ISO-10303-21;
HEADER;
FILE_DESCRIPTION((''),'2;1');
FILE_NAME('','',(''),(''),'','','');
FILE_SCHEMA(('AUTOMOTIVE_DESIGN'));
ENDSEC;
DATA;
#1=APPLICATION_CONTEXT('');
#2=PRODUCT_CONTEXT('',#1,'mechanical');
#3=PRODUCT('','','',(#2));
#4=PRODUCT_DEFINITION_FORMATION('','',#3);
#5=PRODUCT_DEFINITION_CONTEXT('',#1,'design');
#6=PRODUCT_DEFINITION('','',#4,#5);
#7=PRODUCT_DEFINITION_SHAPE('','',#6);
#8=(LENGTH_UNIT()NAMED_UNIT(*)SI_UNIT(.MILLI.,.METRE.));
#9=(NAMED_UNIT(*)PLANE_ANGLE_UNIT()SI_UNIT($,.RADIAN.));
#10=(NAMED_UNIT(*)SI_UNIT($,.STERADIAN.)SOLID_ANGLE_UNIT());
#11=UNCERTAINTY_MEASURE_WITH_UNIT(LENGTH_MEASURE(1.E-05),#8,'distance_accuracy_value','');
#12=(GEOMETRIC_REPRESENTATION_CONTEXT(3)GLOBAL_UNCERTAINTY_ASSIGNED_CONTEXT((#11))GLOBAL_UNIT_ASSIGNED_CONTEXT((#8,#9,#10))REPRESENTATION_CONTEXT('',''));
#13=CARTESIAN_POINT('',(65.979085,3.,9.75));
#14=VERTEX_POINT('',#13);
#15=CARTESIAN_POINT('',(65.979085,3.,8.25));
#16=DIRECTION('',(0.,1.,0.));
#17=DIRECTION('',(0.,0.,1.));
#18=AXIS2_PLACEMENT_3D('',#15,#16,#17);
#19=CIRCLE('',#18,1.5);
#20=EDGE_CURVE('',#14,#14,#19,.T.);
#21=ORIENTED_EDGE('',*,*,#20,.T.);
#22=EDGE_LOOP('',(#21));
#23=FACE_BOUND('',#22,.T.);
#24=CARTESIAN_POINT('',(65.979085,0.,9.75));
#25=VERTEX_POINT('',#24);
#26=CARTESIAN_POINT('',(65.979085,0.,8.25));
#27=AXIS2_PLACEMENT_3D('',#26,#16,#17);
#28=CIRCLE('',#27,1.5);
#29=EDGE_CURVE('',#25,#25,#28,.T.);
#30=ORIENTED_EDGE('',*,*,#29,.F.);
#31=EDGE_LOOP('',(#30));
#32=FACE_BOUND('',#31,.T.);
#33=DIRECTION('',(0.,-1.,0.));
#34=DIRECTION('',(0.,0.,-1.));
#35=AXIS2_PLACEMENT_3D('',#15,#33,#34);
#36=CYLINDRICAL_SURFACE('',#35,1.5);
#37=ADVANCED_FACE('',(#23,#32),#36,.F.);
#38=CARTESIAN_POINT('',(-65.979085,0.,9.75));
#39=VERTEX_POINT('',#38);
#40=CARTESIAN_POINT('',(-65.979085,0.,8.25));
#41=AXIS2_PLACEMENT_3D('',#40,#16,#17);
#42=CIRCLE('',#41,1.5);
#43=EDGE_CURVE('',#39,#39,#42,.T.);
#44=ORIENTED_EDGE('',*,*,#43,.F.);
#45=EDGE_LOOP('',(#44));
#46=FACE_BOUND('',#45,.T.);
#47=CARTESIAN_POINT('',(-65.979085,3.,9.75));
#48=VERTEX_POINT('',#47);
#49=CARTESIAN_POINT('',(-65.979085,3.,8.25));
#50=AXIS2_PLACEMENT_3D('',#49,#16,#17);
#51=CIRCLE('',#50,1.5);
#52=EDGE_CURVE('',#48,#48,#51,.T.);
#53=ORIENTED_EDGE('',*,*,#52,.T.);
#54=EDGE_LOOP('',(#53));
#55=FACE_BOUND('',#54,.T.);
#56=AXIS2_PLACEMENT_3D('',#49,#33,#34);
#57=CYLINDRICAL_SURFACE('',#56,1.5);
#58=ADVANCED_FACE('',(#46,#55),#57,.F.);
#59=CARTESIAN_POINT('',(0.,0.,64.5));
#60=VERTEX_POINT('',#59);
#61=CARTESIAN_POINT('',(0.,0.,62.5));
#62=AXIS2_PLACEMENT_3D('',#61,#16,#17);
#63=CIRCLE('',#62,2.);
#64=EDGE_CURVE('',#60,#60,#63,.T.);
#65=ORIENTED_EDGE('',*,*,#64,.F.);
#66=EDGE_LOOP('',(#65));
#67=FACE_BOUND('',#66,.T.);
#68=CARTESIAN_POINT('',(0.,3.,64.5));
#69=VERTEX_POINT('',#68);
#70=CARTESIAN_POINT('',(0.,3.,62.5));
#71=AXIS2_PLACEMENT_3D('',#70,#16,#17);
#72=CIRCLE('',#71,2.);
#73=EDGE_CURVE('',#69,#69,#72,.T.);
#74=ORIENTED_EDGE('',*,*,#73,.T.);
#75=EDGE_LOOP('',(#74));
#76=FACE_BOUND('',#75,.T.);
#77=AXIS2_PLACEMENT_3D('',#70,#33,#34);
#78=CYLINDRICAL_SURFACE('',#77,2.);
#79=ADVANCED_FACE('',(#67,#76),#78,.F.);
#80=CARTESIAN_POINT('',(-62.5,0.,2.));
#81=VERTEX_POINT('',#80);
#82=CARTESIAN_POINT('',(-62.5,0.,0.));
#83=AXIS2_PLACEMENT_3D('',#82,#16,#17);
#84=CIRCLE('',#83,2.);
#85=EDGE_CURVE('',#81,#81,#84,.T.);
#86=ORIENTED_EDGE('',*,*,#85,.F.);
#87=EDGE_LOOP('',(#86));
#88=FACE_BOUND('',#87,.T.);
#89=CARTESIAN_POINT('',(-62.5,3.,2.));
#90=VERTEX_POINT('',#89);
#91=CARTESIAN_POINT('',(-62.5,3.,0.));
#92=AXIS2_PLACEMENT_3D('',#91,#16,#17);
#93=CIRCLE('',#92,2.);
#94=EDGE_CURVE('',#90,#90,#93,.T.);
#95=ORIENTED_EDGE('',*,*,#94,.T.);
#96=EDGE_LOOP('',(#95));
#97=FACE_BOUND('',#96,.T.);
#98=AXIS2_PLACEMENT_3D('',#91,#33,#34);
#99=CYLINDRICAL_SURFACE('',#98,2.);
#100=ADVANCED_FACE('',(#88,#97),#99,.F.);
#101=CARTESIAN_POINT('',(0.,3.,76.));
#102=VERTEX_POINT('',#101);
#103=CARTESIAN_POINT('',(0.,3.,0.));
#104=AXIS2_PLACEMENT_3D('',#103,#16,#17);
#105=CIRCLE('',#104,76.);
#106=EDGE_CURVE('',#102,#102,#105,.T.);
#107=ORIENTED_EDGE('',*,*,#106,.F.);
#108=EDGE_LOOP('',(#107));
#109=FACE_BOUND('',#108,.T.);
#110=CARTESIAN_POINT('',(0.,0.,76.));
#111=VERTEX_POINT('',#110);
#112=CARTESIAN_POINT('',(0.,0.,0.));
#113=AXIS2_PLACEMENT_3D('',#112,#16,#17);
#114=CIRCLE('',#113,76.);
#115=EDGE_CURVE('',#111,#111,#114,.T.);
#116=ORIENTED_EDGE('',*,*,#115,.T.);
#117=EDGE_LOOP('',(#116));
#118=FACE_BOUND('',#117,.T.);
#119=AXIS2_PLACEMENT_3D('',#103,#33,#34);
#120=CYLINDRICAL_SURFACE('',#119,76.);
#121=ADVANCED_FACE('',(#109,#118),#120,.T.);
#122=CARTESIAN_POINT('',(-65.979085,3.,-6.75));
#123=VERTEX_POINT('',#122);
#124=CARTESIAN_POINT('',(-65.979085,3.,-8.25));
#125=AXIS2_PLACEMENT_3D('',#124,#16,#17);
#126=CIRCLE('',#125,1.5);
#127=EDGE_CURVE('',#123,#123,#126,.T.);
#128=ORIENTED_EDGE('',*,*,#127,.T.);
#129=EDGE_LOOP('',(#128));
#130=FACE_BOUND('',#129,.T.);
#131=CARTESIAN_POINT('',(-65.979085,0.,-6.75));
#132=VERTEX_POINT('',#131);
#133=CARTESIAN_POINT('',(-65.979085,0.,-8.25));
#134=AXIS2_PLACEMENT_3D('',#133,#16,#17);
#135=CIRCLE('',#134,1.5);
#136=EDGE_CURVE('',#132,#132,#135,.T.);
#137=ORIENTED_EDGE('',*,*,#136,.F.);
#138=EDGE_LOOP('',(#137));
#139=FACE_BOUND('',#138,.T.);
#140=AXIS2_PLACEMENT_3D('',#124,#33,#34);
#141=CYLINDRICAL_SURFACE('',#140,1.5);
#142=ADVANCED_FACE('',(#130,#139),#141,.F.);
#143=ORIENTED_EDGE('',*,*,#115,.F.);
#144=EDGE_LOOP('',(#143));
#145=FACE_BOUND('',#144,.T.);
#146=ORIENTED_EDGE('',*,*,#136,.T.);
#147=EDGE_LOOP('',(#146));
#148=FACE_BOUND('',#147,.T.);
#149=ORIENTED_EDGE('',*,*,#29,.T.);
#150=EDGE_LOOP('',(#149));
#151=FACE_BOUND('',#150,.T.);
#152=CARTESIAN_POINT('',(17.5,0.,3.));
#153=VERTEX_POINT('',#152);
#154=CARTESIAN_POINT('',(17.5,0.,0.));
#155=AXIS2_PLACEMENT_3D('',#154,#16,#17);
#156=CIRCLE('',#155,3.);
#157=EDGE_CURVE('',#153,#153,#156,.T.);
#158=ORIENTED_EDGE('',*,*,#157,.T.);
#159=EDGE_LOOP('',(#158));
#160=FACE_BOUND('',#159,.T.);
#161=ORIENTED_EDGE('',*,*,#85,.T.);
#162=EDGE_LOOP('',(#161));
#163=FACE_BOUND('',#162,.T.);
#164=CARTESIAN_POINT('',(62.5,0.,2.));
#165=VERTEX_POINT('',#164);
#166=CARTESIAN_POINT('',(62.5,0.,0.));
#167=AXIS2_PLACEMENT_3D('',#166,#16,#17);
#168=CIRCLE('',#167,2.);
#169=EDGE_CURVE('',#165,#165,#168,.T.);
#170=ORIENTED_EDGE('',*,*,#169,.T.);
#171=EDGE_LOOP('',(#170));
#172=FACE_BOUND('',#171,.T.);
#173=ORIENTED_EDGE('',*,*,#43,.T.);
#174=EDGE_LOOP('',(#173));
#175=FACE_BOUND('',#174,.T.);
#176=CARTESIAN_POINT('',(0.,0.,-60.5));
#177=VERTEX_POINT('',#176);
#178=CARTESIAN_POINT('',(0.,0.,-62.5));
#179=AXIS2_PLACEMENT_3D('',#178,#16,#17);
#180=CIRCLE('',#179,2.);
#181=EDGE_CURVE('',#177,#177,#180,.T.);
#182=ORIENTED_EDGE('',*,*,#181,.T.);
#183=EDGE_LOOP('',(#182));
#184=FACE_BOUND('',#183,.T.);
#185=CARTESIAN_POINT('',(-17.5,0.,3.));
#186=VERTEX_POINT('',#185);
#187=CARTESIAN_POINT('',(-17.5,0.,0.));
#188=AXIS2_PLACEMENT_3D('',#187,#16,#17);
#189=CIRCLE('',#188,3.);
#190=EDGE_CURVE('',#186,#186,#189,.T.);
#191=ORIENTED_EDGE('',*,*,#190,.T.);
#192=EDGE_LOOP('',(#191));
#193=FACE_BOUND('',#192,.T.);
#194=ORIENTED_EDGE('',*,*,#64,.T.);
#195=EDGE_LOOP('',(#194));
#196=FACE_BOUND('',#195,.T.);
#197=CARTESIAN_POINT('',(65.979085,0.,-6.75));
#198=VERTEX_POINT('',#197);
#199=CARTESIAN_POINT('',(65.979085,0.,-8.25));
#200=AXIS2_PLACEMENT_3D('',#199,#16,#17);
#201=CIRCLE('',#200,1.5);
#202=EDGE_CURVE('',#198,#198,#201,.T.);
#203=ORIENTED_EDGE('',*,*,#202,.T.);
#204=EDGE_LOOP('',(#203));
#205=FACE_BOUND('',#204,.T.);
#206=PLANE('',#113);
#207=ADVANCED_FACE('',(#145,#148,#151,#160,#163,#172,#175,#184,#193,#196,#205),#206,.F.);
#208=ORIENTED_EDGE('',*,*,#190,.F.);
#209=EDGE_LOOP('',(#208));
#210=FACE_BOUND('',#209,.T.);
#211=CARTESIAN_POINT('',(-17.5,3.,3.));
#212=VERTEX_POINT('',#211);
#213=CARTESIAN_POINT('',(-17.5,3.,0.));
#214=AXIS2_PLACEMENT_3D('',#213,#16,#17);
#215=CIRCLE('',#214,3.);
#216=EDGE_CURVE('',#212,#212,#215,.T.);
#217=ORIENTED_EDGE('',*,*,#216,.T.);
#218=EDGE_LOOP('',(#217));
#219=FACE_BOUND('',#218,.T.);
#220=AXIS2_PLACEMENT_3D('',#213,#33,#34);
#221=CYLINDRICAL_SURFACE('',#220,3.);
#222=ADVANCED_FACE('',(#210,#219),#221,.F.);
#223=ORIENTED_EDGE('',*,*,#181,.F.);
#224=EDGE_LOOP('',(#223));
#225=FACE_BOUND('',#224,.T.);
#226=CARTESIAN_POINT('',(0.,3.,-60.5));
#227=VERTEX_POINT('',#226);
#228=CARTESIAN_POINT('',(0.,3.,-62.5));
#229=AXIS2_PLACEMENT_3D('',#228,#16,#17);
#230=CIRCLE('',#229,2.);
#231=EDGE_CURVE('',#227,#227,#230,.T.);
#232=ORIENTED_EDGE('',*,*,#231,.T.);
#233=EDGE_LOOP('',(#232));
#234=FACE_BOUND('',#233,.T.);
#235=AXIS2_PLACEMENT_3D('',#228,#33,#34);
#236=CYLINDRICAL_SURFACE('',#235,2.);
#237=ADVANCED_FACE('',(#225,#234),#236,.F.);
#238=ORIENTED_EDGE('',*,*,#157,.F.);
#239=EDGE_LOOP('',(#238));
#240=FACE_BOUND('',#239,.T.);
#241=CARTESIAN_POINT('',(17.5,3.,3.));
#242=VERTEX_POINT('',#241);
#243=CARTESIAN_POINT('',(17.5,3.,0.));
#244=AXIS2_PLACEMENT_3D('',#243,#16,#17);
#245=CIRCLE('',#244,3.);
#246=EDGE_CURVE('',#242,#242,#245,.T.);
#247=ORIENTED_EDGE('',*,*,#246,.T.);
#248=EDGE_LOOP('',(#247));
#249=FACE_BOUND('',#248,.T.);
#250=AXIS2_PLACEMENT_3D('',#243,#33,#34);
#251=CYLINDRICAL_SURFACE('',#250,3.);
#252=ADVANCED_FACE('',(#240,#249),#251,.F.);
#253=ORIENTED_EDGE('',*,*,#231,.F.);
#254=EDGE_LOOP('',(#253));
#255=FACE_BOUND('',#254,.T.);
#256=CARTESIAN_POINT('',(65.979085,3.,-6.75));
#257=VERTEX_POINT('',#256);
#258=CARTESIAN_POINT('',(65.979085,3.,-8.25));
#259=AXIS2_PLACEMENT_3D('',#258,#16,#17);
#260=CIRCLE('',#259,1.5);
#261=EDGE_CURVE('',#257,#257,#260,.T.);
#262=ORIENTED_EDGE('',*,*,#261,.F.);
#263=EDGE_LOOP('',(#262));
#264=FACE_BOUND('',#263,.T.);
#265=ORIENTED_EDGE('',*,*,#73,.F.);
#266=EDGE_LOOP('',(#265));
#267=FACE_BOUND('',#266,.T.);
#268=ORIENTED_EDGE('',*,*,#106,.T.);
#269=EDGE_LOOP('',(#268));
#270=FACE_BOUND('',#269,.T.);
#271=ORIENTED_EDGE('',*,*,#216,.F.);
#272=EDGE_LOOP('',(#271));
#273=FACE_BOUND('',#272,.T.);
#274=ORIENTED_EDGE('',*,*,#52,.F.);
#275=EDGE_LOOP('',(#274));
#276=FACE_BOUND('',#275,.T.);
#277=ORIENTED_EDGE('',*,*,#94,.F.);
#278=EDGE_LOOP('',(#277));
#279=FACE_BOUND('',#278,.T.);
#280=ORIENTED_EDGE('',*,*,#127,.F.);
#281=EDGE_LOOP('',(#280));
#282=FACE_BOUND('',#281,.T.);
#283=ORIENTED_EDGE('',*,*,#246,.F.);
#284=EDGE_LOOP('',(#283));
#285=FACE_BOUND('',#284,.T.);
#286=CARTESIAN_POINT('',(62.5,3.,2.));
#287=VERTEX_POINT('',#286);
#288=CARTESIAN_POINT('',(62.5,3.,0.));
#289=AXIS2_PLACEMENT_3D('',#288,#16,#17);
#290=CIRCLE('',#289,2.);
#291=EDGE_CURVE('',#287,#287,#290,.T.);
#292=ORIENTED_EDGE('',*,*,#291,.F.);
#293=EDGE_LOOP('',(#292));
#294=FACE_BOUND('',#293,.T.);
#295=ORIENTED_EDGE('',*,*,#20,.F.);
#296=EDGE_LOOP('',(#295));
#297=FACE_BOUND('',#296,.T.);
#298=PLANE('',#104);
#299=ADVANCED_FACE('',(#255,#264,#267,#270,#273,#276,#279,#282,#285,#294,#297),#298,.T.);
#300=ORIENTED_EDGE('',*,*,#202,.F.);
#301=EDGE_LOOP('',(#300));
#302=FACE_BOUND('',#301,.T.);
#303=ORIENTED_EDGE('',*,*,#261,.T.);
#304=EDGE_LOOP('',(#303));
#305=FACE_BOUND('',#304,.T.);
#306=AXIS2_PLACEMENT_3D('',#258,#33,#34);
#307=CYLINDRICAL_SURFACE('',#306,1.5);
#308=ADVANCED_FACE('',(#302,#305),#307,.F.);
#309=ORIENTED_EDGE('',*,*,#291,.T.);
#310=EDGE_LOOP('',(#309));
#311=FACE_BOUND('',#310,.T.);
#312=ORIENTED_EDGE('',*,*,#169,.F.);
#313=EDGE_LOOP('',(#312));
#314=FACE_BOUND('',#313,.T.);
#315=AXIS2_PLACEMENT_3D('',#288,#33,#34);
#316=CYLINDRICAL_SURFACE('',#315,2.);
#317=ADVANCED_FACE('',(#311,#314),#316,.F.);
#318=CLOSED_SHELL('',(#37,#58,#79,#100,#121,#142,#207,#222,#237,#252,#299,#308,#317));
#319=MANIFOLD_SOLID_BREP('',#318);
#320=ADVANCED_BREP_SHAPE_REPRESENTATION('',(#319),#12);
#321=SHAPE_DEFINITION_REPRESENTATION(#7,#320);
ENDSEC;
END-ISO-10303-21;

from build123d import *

# Parameters (mm, degrees)
SKETCH1_R           = 76
SKETCH1_R_2         = 1.5
SKETCH1_R_3         = 2
SKETCH1_R_4         = 3
BOSS_EXTRUDE1_DEPTH = 3


with BuildPart() as part:
    # Sketch1 → Boss-Extrude1 (new body)
    with BuildSketch(Plane(origin=(0, 0, 0), x_dir=(1, 0, 0), z_dir=(0, 1, 0))):
        with Locations(Location((0, 0, 0), (0, 0, 270))):
            Circle(SKETCH1_R)
        with Locations(Location((-65.979085433, -8.25, 0), (0, 0, 270))):
            Circle(SKETCH1_R_2, mode=Mode.SUBTRACT)
        with Locations(Location((-62.5, 0, 0), (0, 0, 270))):
            Circle(SKETCH1_R_3, mode=Mode.SUBTRACT)
        with Locations(Location((-65.979085433, 8.25, 0), (0, 0, 270))):
            Circle(SKETCH1_R_2, mode=Mode.SUBTRACT)
        with Locations(Location((65.979085433, 8.25, 0), (0, 0, 270))):
            Circle(SKETCH1_R_2, mode=Mode.SUBTRACT)
        with Locations(Location((65.979085433, -8.25, 0), (0, 0, 270))):
            Circle(SKETCH1_R_2, mode=Mode.SUBTRACT)
        with Locations(Location((0, 62.5, 0), (0, 0, 270))):
            Circle(SKETCH1_R_3, mode=Mode.SUBTRACT)
        with Locations(Location((62.5, 0, 0), (0, 0, 270))):
            Circle(SKETCH1_R_3, mode=Mode.SUBTRACT)
        with Locations(Location((0, -62.5, 0), (0, 0, 270))):
            Circle(SKETCH1_R_3, mode=Mode.SUBTRACT)
        with Locations(Location((17.5, 0, 0), (0, 0, 270))):
            Circle(SKETCH1_R_4, mode=Mode.SUBTRACT)
        with Locations(Location((-17.5, 0, 0), (0, 0, 270))):
            Circle(SKETCH1_R_4, mode=Mode.SUBTRACT)
    extrude(amount=BOSS_EXTRUDE1_DEPTH)


solid = part.part
